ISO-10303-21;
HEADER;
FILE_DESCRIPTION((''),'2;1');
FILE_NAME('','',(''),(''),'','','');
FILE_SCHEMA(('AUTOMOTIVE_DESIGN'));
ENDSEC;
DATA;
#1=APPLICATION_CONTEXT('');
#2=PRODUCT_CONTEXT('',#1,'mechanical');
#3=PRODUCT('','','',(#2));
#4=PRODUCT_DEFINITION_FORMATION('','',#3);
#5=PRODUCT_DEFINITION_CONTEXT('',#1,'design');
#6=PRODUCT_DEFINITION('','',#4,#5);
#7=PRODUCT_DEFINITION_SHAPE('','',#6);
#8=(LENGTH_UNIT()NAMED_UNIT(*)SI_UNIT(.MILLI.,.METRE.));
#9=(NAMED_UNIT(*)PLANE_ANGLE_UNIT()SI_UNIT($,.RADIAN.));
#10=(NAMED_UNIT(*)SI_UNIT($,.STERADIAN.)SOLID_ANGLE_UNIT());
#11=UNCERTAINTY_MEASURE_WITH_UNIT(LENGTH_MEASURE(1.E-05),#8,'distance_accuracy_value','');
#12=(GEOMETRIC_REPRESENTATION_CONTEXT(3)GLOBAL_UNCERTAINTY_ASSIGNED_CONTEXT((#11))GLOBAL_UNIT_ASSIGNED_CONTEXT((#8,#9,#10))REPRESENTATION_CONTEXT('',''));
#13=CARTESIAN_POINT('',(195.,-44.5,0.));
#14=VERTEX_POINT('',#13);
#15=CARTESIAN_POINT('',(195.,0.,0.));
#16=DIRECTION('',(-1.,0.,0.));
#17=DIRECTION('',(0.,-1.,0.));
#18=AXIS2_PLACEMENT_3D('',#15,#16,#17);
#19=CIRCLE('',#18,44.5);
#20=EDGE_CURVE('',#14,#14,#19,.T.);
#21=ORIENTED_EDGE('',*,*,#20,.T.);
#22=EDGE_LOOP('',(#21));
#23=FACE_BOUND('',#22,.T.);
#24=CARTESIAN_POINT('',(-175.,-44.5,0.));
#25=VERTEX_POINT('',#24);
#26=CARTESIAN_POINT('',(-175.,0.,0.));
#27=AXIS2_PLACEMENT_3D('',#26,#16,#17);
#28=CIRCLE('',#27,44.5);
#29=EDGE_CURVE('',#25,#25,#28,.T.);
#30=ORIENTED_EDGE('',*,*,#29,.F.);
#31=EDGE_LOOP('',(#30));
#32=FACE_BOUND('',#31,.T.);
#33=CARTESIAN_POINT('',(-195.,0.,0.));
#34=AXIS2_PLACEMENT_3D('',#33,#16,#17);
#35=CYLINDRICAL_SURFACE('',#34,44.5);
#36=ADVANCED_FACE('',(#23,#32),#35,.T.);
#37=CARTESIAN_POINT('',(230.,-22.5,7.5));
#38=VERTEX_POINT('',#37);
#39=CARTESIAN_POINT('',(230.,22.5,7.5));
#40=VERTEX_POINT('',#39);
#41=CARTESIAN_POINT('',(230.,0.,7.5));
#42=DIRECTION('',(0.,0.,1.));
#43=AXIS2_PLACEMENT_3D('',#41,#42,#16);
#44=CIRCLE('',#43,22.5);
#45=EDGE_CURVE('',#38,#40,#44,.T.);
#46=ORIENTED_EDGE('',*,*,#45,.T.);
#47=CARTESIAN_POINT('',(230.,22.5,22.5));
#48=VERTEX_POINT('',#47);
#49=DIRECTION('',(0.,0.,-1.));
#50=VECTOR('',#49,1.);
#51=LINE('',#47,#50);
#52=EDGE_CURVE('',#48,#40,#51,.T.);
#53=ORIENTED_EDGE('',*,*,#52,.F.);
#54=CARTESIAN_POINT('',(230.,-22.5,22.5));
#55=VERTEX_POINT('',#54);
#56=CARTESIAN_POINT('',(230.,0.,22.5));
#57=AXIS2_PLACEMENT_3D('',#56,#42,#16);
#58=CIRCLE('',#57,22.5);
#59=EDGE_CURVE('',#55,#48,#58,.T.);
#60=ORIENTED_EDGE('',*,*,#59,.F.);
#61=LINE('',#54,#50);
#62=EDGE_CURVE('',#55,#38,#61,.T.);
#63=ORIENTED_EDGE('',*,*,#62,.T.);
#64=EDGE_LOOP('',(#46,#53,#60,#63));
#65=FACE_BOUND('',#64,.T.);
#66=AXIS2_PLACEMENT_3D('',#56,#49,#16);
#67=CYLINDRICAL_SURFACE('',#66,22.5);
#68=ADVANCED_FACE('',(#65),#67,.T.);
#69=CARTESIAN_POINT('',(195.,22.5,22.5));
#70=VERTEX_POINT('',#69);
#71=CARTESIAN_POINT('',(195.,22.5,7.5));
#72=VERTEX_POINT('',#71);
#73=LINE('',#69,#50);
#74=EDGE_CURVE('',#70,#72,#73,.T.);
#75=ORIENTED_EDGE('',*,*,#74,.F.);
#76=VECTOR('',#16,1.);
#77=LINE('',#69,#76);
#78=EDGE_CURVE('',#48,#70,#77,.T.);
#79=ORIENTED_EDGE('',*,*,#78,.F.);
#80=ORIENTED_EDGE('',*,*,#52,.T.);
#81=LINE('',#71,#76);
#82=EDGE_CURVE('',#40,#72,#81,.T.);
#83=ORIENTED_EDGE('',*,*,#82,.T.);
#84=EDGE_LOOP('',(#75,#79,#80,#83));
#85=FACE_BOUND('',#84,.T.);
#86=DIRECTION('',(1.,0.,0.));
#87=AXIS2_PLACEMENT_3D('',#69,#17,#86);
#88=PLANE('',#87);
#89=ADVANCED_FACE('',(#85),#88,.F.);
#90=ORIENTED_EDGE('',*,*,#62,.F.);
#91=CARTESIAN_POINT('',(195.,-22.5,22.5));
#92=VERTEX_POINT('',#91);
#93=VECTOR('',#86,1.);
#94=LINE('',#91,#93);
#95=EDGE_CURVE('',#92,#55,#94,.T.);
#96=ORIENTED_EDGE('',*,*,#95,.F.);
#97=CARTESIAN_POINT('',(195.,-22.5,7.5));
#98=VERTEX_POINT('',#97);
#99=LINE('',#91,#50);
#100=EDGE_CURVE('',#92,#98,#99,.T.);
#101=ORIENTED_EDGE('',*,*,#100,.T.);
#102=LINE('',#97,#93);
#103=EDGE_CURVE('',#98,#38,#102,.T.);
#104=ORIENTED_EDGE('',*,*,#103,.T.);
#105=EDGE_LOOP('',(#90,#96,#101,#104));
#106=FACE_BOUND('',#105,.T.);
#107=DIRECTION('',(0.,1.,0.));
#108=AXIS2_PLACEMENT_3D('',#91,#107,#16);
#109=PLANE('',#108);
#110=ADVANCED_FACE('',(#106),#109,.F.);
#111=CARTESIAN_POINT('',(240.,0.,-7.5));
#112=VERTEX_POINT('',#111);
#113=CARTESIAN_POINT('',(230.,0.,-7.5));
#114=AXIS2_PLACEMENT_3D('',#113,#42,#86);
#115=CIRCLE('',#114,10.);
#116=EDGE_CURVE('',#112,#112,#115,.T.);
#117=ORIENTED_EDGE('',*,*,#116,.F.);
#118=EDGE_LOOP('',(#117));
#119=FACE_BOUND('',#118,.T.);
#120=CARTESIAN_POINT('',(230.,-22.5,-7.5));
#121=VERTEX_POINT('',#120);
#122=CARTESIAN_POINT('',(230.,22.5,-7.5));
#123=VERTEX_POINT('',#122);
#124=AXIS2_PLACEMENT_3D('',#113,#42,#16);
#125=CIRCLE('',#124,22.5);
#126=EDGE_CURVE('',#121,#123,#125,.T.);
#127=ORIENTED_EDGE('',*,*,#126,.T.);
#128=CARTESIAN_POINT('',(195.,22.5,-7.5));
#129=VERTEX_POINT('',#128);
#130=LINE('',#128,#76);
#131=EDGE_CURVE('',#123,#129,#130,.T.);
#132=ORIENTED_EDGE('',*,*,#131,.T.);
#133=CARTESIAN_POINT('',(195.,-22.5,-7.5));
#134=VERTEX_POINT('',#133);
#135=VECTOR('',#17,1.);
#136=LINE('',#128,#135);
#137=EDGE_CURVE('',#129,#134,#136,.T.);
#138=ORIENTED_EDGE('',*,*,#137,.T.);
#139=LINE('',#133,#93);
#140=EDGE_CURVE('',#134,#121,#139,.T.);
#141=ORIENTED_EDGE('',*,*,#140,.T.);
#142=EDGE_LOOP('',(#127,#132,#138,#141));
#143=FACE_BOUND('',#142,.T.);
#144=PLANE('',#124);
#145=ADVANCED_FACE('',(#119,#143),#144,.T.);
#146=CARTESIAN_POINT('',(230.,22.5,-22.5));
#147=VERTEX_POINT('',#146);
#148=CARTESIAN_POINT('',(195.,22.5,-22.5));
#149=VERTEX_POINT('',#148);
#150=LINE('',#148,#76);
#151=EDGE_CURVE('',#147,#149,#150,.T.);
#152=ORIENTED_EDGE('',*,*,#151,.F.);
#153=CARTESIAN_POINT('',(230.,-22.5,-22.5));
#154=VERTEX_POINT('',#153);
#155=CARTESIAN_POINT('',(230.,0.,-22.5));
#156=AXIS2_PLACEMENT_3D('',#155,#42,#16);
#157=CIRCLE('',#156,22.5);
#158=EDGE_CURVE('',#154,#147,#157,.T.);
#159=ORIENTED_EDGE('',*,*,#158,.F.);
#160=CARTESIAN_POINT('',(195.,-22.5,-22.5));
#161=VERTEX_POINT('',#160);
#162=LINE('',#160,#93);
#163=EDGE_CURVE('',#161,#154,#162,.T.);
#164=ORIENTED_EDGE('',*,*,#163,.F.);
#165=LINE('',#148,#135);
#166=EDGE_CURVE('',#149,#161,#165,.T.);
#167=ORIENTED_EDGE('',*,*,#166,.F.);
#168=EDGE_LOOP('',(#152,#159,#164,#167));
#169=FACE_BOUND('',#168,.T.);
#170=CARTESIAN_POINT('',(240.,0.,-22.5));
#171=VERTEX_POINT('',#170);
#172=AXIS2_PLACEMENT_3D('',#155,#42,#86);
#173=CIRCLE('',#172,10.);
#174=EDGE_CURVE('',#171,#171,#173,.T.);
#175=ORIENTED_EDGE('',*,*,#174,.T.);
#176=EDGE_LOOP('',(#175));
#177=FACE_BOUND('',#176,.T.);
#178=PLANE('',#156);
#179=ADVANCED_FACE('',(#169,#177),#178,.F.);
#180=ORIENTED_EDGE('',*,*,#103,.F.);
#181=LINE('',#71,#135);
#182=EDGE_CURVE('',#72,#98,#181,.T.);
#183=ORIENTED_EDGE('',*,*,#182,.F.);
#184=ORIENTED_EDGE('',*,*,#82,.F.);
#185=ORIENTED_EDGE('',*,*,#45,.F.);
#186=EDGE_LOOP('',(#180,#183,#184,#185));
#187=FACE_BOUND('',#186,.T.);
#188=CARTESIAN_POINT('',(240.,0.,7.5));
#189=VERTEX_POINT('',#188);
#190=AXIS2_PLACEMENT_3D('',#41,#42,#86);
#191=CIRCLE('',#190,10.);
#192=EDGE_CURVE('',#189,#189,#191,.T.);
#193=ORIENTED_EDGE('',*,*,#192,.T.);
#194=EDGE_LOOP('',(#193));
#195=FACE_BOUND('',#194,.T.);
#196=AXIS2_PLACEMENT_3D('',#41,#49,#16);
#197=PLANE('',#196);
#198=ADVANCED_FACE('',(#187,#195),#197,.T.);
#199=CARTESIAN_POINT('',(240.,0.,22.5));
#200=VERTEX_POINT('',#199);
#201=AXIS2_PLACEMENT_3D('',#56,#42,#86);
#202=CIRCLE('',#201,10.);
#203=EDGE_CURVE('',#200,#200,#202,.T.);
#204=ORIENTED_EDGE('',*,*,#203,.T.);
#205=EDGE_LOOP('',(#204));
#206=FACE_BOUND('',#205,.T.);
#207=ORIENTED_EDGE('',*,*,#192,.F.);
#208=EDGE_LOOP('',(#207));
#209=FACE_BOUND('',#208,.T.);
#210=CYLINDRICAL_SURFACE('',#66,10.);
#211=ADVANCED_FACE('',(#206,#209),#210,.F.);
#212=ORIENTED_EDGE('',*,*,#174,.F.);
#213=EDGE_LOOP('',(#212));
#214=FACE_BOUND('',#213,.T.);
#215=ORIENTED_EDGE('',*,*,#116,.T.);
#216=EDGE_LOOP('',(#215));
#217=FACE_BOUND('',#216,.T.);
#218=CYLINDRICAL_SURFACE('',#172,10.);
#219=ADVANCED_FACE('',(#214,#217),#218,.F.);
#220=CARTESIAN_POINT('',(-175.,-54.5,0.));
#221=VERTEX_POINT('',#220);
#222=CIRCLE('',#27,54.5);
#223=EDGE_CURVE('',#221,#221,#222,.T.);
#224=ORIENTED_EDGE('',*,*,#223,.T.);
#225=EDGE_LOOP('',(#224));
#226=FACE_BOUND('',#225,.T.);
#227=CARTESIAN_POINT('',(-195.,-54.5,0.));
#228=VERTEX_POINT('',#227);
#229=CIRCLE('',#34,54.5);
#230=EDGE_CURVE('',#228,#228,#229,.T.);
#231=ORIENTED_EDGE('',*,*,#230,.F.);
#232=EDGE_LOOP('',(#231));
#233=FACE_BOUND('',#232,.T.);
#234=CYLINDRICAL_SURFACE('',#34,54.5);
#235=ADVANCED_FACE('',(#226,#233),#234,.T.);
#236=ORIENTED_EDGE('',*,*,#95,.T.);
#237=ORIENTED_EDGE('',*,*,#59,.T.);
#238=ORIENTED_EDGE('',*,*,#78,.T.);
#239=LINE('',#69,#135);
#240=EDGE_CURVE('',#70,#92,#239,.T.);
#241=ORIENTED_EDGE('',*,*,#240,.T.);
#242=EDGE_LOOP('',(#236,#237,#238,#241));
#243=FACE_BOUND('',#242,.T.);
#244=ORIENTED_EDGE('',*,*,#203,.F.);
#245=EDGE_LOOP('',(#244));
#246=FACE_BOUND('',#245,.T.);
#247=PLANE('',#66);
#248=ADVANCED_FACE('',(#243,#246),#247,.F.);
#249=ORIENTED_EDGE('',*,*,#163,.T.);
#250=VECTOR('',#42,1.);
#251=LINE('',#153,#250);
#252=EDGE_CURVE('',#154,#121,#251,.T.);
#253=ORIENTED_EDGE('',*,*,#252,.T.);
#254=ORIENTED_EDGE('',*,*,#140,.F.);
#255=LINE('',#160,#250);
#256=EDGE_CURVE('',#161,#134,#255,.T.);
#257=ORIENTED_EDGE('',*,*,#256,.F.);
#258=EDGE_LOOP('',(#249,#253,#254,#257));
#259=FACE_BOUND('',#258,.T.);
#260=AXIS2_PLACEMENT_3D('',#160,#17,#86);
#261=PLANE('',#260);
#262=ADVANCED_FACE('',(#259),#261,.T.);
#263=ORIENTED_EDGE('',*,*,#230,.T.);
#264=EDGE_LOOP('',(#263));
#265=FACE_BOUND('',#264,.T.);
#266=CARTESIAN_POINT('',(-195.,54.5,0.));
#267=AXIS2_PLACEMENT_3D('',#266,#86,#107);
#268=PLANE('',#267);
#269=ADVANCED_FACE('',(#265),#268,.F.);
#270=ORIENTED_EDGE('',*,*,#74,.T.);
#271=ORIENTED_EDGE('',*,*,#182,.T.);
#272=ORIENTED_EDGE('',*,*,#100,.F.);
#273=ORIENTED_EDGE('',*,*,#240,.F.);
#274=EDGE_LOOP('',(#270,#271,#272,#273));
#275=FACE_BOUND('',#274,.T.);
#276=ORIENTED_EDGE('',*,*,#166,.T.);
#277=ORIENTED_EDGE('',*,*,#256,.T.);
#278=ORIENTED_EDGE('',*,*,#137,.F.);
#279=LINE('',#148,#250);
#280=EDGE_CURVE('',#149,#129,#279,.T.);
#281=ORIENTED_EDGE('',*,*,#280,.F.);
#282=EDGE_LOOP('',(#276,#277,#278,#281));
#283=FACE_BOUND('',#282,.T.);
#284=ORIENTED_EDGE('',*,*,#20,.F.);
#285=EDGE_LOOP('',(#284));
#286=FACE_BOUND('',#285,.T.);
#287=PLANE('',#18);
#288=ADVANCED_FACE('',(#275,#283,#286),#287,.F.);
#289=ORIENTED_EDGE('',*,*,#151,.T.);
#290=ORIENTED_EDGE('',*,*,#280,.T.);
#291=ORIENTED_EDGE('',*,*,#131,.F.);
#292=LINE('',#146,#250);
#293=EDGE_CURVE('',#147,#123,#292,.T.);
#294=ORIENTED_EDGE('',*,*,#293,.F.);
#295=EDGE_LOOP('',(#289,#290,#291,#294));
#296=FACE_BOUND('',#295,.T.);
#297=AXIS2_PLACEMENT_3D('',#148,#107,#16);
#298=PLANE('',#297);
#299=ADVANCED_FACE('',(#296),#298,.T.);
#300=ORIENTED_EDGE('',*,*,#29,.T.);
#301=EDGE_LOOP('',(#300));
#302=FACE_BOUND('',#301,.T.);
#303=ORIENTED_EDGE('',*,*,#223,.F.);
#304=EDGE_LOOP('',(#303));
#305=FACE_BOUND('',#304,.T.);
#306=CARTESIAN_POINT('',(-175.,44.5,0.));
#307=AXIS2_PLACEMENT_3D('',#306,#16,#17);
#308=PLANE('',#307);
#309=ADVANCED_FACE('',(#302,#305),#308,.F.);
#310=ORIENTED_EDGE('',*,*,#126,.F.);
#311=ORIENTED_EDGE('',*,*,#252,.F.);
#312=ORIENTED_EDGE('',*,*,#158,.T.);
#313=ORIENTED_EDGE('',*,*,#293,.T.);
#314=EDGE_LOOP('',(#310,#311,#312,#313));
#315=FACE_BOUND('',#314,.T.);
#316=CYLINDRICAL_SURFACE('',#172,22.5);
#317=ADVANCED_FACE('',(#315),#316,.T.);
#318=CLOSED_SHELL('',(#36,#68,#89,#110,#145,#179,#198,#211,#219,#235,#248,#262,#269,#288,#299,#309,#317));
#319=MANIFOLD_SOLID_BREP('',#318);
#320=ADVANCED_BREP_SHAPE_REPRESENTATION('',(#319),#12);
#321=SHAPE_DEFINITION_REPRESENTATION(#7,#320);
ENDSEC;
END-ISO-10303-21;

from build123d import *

# Parameters (mm, degrees)
SKETCH3_R           = 10
BOSS_EXTRUDE1_DEPTH = 15


with BuildPart() as part:
    # Sketch2 → Revolve1 (revolve)
    with BuildSketch(Plane.XY):
        Polygon((-195, 0), (195, 0), (195, 44.5), (-175, 44.5), (-175, 54.5), (-195, 54.5), align=None)
    revolve(axis=Axis((-195, 0, 0), (1, 0, 0)))

    # Sketch3 → Boss-Extrude1 (add)
    with BuildSketch(Plane.XY.offset(7.5)):
        with BuildLine():
            Line((195, 22.5), (230, 22.5))
            ThreePointArc((230, 22.5), (252.5, 0), (230, -22.5))
            Line((230, -22.5), (195, -22.5))
            Line((195, -22.5), (195, 22.5))
        make_face()
        with Locations((230, 0)):
            Circle(SKETCH3_R, mode=Mode.SUBTRACT)
    boss_extrude1 = extrude(amount=BOSS_EXTRUDE1_DEPTH)

    # Mirror1: Boss-Extrude1 across plane
    add(boss_extrude1.mirror(Plane.XY))


solid = part.part
